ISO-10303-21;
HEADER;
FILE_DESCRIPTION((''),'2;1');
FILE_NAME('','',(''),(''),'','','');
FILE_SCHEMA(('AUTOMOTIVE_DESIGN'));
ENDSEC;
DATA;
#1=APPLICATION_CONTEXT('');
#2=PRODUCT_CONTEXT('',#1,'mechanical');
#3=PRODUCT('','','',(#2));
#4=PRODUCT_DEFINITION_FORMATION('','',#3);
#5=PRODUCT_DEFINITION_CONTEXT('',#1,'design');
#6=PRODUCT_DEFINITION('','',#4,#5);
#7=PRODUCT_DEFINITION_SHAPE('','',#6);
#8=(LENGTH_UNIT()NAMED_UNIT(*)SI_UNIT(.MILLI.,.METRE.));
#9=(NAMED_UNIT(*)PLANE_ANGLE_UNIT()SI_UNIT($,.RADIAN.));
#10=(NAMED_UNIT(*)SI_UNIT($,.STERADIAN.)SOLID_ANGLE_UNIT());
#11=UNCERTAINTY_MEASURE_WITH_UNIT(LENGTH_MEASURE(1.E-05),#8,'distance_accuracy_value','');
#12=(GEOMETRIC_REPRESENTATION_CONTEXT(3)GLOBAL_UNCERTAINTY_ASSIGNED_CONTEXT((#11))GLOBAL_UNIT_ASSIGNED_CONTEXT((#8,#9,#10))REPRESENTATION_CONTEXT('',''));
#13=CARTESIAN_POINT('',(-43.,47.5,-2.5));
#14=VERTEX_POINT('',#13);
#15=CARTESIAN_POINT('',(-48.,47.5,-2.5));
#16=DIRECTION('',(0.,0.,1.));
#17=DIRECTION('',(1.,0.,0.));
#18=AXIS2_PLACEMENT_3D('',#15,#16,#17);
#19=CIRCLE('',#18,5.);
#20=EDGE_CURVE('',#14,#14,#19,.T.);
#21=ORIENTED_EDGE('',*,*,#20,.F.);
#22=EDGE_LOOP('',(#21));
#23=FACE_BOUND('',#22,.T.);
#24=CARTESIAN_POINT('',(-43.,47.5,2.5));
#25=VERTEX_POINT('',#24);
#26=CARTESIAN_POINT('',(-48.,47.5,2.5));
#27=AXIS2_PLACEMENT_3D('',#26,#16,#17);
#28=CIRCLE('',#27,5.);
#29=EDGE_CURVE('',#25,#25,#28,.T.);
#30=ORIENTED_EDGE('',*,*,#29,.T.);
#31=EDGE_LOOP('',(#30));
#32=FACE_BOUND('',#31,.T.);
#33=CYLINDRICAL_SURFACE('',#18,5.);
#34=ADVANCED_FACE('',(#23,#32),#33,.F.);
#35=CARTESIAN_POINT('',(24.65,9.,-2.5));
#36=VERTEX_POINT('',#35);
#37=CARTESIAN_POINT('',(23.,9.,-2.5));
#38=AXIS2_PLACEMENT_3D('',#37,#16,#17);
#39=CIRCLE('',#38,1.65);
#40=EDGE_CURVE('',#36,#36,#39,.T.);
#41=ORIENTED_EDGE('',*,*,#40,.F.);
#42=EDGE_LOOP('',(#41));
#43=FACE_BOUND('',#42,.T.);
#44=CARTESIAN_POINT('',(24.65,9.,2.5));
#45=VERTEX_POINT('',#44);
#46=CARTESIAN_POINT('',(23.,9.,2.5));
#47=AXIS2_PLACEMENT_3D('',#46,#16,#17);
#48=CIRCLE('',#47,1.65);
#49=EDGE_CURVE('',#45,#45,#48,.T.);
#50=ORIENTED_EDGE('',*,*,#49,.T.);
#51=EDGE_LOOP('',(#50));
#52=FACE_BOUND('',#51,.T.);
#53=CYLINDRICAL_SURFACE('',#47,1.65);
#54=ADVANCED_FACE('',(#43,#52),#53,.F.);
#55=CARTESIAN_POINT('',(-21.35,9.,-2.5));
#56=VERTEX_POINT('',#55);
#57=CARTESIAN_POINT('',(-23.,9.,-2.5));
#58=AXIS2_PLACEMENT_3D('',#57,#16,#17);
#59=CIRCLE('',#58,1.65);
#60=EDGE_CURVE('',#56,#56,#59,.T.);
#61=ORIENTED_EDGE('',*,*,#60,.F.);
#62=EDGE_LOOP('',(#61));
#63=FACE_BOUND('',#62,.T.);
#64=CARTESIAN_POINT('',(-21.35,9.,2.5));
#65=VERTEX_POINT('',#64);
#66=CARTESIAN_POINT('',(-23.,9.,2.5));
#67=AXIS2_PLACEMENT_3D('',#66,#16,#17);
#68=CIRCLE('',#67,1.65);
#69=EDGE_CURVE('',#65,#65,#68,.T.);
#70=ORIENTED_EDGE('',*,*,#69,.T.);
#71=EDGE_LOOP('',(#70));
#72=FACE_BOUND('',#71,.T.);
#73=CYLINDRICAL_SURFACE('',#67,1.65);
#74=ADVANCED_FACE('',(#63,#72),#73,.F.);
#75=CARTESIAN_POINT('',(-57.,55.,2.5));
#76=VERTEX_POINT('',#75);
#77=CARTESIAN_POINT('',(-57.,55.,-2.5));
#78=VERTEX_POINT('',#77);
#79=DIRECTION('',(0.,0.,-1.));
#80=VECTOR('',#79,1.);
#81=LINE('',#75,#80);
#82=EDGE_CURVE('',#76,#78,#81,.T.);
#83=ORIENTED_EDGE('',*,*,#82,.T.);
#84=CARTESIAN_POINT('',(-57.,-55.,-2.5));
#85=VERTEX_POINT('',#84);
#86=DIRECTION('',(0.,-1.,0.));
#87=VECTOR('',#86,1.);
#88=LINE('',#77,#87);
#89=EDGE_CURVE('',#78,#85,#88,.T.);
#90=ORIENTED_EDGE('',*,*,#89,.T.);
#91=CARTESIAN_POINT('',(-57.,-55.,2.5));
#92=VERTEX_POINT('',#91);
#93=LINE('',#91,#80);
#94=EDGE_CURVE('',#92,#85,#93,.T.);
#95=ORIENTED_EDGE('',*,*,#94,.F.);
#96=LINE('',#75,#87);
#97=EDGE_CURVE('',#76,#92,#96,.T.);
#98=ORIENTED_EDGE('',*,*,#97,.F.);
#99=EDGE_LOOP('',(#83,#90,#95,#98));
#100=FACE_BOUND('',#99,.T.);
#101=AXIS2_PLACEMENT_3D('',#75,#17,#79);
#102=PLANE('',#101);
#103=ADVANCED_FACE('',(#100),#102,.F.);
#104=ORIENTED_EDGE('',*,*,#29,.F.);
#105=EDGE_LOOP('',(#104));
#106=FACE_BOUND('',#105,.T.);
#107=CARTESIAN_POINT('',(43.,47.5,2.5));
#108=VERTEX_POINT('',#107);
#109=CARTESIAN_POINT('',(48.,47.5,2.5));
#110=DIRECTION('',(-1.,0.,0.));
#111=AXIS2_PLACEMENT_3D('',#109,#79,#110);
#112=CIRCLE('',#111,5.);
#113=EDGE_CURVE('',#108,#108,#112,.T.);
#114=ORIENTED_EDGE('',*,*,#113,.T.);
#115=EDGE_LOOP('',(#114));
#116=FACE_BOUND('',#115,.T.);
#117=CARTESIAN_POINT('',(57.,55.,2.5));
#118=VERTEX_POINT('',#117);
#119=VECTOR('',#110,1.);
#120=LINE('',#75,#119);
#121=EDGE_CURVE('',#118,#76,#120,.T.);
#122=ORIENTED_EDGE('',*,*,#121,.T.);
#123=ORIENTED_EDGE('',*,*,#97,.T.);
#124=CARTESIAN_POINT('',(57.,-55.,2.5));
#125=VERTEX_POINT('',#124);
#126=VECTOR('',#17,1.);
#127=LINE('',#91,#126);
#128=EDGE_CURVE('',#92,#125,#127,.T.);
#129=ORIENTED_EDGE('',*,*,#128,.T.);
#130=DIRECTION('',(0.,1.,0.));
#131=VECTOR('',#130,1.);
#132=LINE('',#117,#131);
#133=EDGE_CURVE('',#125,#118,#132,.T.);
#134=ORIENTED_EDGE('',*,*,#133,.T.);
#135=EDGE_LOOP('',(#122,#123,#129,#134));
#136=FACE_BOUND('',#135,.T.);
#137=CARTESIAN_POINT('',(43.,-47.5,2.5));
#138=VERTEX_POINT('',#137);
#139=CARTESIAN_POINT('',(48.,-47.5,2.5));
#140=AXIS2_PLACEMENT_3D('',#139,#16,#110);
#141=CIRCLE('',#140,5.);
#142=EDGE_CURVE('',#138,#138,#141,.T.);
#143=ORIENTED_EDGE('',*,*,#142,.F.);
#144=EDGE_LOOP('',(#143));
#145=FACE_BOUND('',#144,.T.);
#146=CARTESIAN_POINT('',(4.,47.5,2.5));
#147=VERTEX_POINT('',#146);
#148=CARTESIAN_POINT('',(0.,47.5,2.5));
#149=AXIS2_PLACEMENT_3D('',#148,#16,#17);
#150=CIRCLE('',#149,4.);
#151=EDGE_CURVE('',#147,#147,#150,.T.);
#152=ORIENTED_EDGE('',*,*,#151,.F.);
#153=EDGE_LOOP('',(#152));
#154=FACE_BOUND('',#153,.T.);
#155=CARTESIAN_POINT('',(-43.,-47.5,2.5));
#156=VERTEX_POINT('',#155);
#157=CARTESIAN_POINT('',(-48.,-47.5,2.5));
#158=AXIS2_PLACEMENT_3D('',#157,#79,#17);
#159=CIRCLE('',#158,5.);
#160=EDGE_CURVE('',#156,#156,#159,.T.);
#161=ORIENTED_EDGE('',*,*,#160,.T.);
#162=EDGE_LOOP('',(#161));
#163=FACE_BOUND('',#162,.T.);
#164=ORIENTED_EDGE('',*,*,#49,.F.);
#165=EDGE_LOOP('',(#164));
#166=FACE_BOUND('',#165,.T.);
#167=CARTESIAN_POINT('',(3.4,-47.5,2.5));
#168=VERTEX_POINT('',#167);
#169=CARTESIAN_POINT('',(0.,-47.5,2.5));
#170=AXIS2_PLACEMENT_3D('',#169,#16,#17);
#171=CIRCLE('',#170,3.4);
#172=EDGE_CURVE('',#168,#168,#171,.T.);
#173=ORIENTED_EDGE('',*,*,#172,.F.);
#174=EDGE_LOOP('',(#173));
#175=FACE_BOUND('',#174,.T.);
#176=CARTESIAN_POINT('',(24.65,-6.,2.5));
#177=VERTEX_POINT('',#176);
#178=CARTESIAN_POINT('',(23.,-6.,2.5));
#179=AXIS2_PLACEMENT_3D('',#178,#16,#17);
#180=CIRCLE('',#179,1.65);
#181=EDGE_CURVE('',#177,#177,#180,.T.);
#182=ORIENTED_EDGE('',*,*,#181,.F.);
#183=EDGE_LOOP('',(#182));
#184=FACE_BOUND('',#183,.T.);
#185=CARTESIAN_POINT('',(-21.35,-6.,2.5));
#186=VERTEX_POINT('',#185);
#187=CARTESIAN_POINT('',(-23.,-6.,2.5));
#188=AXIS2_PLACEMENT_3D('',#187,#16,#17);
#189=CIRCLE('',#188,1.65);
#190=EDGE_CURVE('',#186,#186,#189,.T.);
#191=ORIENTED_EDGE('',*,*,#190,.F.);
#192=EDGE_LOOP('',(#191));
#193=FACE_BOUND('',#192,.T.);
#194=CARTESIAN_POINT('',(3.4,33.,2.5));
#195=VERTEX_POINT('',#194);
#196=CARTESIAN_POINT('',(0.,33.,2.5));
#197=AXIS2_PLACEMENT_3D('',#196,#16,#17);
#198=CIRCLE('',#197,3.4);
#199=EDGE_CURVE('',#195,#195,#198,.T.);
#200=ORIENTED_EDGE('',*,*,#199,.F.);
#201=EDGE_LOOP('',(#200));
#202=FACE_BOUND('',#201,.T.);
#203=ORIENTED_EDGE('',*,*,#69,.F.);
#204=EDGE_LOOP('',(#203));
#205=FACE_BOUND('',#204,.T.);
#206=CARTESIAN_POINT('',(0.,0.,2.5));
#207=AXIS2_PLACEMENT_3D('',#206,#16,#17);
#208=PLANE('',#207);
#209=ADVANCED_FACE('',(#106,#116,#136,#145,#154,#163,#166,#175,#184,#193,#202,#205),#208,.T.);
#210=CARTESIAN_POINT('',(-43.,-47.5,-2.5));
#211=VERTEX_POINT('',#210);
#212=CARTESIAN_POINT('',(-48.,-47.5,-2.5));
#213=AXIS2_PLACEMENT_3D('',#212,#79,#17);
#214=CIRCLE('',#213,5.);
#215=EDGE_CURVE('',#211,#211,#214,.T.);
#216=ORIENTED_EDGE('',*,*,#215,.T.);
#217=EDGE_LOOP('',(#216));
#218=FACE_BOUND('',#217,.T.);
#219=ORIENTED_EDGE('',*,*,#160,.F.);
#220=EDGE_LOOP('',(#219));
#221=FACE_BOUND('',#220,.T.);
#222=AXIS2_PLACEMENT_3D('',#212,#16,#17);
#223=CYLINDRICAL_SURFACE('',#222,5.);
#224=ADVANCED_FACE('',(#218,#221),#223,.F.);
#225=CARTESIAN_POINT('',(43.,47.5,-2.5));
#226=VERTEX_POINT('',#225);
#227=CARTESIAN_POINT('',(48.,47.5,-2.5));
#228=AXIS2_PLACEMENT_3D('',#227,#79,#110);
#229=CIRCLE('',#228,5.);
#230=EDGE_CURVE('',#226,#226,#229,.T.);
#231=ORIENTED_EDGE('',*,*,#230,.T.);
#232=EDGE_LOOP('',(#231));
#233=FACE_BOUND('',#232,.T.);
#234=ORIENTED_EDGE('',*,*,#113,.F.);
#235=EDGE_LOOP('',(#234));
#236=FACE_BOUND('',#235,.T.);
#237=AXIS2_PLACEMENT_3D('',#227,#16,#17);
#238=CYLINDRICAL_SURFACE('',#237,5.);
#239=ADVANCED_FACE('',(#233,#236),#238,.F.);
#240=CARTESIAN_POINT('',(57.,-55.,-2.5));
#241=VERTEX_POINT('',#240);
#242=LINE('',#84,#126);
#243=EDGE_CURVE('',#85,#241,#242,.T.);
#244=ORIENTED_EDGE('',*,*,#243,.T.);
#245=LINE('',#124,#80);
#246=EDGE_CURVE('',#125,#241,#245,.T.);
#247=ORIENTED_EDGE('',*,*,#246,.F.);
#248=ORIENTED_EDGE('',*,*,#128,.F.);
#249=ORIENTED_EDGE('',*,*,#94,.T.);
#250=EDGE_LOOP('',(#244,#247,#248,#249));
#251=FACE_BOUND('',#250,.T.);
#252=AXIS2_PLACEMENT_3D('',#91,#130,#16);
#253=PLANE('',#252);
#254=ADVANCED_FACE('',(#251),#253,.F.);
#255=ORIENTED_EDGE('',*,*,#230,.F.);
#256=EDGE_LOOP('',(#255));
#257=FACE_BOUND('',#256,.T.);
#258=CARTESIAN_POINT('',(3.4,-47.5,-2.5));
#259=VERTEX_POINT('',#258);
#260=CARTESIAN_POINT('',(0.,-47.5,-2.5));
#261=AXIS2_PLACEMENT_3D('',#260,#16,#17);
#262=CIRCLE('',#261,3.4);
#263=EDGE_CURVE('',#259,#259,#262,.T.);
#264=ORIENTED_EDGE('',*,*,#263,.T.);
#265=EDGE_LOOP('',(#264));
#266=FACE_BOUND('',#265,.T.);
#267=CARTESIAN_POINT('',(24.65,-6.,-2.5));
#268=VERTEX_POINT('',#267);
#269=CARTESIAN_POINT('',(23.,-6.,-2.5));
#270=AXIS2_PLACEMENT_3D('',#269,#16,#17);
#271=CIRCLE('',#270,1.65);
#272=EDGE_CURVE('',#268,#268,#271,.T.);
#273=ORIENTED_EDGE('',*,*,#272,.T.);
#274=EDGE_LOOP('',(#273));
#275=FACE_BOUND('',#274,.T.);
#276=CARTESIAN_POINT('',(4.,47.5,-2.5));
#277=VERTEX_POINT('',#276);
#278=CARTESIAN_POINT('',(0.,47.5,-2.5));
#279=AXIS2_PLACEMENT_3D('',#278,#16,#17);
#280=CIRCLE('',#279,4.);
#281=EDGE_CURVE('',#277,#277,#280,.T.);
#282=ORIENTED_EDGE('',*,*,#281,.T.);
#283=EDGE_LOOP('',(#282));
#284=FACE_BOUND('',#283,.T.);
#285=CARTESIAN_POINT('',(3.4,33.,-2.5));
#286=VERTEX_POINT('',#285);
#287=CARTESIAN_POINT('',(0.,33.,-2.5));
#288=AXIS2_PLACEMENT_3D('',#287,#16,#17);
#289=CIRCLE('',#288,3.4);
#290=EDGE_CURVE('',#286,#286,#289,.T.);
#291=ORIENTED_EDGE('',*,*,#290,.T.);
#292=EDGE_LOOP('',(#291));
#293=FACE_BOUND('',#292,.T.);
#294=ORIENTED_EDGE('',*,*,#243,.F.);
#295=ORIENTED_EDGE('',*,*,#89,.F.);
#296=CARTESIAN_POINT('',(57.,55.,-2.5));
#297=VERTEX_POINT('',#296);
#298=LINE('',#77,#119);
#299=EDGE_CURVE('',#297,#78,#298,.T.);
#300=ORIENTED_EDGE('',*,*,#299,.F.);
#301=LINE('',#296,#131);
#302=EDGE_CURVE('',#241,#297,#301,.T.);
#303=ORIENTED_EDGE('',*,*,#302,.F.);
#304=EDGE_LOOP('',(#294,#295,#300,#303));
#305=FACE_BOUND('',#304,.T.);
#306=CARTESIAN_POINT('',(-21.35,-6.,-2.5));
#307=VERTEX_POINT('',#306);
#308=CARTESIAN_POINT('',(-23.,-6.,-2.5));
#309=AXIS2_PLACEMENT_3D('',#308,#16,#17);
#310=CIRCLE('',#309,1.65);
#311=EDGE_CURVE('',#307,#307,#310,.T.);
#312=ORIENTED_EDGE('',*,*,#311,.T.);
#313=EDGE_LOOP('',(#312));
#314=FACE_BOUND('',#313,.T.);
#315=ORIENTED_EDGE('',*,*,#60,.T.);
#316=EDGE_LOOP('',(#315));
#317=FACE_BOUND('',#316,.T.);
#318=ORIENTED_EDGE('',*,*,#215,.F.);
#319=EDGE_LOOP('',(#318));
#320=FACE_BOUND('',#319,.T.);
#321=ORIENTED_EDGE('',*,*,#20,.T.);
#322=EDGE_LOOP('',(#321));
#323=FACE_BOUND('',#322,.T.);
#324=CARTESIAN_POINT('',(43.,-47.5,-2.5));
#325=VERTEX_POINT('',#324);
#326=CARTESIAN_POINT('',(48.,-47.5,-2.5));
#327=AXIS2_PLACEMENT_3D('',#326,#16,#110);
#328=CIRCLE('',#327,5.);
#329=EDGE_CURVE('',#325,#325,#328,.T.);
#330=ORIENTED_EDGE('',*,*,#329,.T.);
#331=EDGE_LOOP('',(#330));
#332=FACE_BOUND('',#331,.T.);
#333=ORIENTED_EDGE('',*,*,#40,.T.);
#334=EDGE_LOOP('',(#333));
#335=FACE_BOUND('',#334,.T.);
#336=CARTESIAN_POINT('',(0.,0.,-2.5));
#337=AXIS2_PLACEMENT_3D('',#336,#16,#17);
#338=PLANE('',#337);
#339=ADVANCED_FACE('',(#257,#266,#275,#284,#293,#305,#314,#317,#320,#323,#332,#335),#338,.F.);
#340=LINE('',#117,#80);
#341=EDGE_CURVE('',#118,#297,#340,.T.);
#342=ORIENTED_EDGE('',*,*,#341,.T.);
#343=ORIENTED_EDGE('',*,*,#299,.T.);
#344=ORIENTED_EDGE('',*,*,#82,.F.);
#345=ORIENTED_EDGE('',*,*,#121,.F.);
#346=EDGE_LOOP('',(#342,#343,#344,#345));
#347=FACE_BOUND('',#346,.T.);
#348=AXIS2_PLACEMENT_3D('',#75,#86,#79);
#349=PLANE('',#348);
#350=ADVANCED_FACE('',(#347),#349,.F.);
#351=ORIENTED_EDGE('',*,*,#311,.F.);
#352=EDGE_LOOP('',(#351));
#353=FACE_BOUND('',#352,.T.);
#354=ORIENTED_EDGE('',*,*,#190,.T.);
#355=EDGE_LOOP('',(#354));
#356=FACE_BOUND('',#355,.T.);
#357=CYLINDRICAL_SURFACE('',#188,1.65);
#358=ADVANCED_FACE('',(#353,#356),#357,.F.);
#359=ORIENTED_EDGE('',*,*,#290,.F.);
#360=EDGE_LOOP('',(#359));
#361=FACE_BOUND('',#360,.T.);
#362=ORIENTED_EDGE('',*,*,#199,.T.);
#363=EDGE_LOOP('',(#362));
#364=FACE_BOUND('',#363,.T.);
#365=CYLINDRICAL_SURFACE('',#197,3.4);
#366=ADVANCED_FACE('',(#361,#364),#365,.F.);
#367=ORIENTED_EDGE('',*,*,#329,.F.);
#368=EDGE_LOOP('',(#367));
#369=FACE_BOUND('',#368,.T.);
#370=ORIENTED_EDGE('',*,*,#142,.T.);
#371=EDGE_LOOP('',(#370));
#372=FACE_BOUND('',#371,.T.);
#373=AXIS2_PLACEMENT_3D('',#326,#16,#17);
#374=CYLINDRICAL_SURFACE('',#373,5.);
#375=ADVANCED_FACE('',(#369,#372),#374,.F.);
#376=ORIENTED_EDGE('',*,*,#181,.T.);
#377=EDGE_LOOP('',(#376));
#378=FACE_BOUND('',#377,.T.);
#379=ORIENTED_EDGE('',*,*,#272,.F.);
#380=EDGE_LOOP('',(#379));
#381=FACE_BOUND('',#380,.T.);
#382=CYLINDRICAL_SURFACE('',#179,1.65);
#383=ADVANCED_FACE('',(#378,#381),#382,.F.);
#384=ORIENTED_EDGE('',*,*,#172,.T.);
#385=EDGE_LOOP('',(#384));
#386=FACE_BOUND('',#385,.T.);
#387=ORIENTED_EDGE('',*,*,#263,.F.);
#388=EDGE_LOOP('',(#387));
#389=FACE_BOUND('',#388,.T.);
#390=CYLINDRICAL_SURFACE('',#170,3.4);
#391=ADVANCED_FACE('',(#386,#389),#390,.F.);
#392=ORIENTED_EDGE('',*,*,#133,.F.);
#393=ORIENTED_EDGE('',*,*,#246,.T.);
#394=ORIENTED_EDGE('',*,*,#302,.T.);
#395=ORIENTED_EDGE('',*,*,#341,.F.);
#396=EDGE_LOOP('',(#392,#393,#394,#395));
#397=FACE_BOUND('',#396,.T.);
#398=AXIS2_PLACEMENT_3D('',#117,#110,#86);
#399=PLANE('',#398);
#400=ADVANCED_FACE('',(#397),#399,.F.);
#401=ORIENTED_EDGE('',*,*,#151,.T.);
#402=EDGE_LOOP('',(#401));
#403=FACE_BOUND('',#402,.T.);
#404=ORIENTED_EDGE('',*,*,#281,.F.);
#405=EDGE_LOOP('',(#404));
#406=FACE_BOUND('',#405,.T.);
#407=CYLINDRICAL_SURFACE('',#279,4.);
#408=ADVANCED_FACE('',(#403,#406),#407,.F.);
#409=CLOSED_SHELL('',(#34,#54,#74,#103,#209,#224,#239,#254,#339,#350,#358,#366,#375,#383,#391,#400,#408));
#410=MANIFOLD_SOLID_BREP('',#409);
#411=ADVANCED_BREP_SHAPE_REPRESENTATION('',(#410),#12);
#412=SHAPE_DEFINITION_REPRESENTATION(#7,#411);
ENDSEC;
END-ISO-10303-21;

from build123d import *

# Parameters (mm, degrees)
SKETCH_1_W               = 114
SKETCH_1_H               = 110
EXTRUDE_2_DEPTH          = 2.5
SKETCH_2_R               = 5
CUT_EXTRUDE_1_DEPTH      = 80.366239674
MIRROR_2_COPY_1_SKETCH_R = 5
MIRROR_2_COPY_1_DEPTH    = 80.366239674
HOLE_WIZARD_M4_1_D       = 3.3
HOLE_WIZARD_M8_3_D       = 6.8
SKETCH_8_R               = 4
CUT_EXTRUDE_2_DEPTH      = 80.366239674
HOLE_WIZARD_M8_4_D       = 6.8


with BuildPart() as part:
    # 草图1 → 凸台-拉伸2 (new, symmetric)
    with BuildSketch(Plane.XY):
        Rectangle(SKETCH_1_W, SKETCH_1_H)
    extrude(amount=EXTRUDE_2_DEPTH, both=True)

    # 草图2 → 切除-拉伸1 (cut, through all)
    with BuildSketch(Plane.XY.offset(2.5)):
        with Locations((-48, 47.5)):
            Circle(SKETCH_2_R)
    cut_extrude_1 = extrude(amount=-CUT_EXTRUDE_1_DEPTH, mode=Mode.SUBTRACT)

    # 镜向1: 切除-拉伸1 across plane
    add(cut_extrude_1.mirror(Plane.ZX), mode=Mode.SUBTRACT)

    # 镜向2: 切除-拉伸1 across plane
    add(cut_extrude_1.mirror(Plane(origin=(0, 0, 0), x_dir=(0, 0, 1), z_dir=(1, 0, 0))), mode=Mode.SUBTRACT)

    # 镜向2 copy 1 sketch → 镜向2 copy 1 (cut, through all)
    with BuildSketch(Plane(origin=(0, 0, 2.5), x_dir=(-1, 0, 0), z_dir=(0, 0, 1))):
        with Locations((-48, 47.5)):
            Circle(MIRROR_2_COPY_1_SKETCH_R)
    extrude(amount=-MIRROR_2_COPY_1_DEPTH, mode=Mode.SUBTRACT)

    # M4 螺纹孔的螺纹孔钻头1 (through all)
    with Locations(Plane(origin=(-23, 9, 2.5), x_dir=(1, 0, 0), z_dir=(0, 0, 1))):
        with Locations((0, 0), (0, -15)):
            hole_wizard_m4_1 = Hole(HOLE_WIZARD_M4_1_D / 2)

    # 镜向4: M4 螺纹孔的螺纹孔钻头1 across plane
    add(hole_wizard_m4_1.mirror(Plane(origin=(0, 0, 0), x_dir=(0, 0, 1), z_dir=(1, 0, 0))), mode=Mode.SUBTRACT)

    # M8 螺纹孔的螺纹孔钻头3 (through all)
    with Locations(Plane(origin=(0, 33, 2.5), x_dir=(1, 0, 0), z_dir=(0, 0, 1))):
        with Locations((0, 0)):
            Hole(HOLE_WIZARD_M8_3_D / 2)

    # 草图8 → 切除-拉伸2 (cut, through all)
    with BuildSketch(Plane.XY.offset(2.5)):
        with Locations((0, 47.5)):
            Circle(SKETCH_8_R)
    extrude(amount=-CUT_EXTRUDE_2_DEPTH, mode=Mode.SUBTRACT)

    # M8 螺纹孔的螺纹孔钻头4 (through all)
    with Locations(Plane(origin=(0, -47.5, 2.5), x_dir=(1, 0, 0), z_dir=(0, 0, 1))):
        with Locations((0, 0)):
            Hole(HOLE_WIZARD_M8_4_D / 2)


solid = part.part
